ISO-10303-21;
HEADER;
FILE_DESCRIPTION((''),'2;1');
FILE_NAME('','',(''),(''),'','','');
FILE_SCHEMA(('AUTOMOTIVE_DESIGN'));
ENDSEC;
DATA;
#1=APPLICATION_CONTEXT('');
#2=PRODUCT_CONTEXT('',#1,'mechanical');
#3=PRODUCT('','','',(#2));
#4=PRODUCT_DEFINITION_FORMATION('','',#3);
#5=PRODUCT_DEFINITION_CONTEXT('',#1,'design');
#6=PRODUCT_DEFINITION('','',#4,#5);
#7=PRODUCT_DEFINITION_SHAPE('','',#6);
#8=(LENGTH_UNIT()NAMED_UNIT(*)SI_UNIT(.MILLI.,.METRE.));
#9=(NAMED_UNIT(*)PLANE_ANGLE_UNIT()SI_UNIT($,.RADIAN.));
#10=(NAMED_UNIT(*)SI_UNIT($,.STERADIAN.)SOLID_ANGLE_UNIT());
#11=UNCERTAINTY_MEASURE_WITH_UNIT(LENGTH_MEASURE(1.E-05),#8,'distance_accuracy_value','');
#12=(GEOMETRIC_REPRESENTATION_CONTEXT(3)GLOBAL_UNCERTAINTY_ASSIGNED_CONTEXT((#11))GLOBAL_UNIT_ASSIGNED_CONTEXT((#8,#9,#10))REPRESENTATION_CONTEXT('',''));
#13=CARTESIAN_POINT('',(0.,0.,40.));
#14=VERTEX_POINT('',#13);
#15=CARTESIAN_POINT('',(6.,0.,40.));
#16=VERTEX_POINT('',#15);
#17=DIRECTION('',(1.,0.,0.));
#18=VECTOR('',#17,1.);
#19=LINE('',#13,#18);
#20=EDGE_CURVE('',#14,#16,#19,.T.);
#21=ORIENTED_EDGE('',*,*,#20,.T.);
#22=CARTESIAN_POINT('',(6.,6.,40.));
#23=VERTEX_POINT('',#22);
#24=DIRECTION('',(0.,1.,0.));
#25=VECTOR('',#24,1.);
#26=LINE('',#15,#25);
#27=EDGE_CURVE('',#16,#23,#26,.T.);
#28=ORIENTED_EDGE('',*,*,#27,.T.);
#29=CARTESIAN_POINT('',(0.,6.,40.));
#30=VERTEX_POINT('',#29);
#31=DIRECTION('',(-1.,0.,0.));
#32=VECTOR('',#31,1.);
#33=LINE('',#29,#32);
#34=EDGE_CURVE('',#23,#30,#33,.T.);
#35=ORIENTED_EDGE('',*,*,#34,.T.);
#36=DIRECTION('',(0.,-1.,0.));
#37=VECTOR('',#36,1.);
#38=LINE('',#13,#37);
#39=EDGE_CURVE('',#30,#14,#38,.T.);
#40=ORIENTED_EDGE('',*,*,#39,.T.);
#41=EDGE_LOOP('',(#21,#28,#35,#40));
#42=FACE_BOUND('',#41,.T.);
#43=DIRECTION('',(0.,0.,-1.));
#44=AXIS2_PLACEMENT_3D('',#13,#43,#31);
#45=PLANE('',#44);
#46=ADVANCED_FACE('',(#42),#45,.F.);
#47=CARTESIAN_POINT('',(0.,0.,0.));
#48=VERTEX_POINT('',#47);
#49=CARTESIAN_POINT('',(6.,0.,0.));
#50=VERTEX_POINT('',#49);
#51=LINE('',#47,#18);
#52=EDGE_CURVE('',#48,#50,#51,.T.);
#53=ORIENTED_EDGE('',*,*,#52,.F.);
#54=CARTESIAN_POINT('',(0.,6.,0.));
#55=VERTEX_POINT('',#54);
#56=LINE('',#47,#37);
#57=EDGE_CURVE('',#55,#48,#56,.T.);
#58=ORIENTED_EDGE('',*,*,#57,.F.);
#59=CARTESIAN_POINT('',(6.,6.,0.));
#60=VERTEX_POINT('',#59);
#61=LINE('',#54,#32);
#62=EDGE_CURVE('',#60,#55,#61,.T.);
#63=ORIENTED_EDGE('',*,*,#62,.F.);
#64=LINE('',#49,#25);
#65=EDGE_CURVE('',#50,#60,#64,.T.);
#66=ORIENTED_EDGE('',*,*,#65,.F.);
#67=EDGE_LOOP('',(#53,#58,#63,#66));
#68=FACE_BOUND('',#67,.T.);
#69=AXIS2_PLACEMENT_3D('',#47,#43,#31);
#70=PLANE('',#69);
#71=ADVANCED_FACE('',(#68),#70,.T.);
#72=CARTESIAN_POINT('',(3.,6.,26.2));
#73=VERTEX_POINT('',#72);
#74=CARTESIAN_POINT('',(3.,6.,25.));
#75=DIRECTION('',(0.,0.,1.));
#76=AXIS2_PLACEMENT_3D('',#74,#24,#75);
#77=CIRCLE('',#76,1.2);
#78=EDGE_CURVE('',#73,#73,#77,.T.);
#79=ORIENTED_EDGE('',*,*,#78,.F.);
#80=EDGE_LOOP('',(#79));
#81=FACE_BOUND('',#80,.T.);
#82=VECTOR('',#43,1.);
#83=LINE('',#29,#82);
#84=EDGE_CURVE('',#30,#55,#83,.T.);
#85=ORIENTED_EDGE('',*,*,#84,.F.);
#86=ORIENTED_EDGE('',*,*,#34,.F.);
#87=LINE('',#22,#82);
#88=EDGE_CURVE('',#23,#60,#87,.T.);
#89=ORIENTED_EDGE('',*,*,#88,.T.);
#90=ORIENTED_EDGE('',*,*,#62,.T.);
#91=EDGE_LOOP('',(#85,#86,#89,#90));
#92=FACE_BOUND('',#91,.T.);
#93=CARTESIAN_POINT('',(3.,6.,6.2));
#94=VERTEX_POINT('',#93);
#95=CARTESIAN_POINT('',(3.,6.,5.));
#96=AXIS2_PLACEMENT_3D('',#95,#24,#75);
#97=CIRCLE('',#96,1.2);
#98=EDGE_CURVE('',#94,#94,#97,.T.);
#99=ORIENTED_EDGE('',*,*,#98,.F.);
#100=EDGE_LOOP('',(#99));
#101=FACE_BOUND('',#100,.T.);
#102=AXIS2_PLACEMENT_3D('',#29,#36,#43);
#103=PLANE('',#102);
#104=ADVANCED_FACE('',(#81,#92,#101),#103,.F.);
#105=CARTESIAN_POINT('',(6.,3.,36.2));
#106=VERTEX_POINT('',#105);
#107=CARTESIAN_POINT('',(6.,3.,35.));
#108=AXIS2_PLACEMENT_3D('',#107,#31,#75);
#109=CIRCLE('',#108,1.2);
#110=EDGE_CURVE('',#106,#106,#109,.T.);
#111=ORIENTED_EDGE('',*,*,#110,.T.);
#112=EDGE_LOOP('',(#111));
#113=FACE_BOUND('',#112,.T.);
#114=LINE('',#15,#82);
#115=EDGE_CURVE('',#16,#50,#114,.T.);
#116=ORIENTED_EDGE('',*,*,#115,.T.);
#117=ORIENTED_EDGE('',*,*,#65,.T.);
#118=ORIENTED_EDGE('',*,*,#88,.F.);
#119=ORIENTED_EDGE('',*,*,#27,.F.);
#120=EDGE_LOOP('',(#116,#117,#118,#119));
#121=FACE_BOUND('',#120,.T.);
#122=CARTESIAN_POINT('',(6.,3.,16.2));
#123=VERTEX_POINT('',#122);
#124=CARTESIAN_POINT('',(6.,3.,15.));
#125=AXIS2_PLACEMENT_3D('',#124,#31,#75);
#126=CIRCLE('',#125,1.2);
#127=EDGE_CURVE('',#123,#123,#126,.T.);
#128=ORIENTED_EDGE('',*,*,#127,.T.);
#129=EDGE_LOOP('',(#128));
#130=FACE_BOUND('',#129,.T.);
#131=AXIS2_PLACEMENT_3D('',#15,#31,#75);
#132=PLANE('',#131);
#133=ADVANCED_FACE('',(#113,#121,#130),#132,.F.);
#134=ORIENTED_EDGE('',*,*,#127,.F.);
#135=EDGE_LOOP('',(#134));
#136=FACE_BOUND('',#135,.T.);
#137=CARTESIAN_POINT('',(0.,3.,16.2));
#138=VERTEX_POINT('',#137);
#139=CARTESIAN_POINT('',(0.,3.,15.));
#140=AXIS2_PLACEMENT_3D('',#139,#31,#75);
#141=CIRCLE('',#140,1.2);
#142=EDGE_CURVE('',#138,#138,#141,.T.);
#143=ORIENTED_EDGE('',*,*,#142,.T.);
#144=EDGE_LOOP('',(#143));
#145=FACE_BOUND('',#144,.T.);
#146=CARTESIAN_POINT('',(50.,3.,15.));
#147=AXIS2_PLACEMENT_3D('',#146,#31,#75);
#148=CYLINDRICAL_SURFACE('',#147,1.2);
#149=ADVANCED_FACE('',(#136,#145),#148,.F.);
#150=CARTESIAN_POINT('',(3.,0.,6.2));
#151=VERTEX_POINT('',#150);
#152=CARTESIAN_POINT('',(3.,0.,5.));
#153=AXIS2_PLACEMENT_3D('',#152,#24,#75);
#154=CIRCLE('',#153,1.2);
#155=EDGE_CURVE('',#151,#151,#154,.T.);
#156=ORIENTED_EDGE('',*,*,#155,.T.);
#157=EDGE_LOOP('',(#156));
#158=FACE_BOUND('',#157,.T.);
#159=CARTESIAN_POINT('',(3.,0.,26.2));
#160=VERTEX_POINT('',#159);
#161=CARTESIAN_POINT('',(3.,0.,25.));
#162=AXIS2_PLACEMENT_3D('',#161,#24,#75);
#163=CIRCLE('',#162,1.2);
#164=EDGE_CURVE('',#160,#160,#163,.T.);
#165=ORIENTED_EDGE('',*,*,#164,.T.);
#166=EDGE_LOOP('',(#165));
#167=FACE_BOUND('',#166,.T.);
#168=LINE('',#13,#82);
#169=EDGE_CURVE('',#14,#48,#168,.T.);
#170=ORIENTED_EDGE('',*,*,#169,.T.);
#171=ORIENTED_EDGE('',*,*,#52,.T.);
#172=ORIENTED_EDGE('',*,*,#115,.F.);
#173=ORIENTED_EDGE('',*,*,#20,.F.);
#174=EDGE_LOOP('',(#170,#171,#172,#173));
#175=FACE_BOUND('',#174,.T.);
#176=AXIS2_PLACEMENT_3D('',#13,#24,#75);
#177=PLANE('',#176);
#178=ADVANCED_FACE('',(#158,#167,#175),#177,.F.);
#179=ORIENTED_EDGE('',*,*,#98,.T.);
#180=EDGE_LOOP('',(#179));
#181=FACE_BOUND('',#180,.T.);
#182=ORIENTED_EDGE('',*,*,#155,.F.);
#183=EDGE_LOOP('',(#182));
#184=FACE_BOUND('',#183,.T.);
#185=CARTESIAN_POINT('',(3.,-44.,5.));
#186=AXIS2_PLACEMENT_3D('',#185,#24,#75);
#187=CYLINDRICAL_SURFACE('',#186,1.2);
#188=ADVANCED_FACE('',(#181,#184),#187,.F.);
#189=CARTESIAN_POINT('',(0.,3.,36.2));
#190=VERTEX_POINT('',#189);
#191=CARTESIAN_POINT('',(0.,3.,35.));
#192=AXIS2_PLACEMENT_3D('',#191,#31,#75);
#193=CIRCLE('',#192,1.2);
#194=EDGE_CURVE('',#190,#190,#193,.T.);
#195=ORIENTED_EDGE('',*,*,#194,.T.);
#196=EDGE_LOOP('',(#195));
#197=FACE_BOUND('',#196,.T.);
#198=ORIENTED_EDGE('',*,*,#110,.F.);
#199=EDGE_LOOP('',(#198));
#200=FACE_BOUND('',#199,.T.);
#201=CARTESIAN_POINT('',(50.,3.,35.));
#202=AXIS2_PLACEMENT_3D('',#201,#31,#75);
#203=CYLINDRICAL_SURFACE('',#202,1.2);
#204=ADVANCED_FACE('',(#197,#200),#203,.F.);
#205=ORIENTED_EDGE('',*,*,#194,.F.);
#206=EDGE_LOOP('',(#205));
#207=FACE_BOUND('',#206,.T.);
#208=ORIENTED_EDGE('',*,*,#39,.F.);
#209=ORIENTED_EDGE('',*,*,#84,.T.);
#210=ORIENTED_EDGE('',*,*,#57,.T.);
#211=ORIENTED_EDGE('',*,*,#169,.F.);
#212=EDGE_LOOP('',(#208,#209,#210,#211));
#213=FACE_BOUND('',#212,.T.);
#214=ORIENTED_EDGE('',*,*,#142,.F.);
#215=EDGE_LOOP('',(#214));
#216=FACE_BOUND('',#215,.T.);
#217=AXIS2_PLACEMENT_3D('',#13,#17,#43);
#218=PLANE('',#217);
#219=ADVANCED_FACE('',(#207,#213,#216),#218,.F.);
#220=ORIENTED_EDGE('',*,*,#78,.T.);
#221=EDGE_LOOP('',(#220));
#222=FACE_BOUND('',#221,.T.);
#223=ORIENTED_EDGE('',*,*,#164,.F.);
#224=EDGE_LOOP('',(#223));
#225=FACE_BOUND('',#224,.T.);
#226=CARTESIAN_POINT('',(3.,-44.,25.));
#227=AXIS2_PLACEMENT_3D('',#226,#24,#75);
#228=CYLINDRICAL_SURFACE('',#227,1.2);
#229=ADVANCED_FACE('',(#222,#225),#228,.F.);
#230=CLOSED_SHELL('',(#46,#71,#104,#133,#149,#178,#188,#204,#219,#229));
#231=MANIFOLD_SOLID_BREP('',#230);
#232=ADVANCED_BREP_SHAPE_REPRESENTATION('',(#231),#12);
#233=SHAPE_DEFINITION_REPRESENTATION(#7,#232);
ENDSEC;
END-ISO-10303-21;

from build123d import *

# Parameters (mm, degrees)
SKETCH_1_W          = 6
SKETCH_1_H          = 6
EXTRUDE_1_DEPTH     = 40
SKETCH_2_R          = 1.2
CUT_EXTRUDE_1_DEPTH = 50
SKETCH_3_R          = 1.2
CUT_EXTRUDE_2_DEPTH = 50


with BuildPart() as part:
    # 草图1 → 凸台-拉伸1 (new body)
    with BuildSketch(Plane.XY):
        with Locations((3, 3)):
            Rectangle(SKETCH_1_W, SKETCH_1_H)
    extrude(amount=EXTRUDE_1_DEPTH)

    # 草图2 → 切除-拉伸1 (cut)
    with BuildSketch(Plane(origin=(0, 6, 0), x_dir=(1, 0, 0), z_dir=(0, 1, 0))):
        with Locations((3, -5)):
            Circle(SKETCH_2_R)
        with Locations((3, -25)):
            Circle(SKETCH_2_R)
    extrude(amount=-CUT_EXTRUDE_1_DEPTH, mode=Mode.SUBTRACT)

    # 草图3 → 切除-拉伸2 (cut)
    with BuildSketch(Plane.ZY):
        with Locations((35, 3)):
            Circle(SKETCH_3_R)
        with Locations((15, 3)):
            Circle(SKETCH_3_R)
    extrude(amount=-CUT_EXTRUDE_2_DEPTH, mode=Mode.SUBTRACT)


solid = part.part
